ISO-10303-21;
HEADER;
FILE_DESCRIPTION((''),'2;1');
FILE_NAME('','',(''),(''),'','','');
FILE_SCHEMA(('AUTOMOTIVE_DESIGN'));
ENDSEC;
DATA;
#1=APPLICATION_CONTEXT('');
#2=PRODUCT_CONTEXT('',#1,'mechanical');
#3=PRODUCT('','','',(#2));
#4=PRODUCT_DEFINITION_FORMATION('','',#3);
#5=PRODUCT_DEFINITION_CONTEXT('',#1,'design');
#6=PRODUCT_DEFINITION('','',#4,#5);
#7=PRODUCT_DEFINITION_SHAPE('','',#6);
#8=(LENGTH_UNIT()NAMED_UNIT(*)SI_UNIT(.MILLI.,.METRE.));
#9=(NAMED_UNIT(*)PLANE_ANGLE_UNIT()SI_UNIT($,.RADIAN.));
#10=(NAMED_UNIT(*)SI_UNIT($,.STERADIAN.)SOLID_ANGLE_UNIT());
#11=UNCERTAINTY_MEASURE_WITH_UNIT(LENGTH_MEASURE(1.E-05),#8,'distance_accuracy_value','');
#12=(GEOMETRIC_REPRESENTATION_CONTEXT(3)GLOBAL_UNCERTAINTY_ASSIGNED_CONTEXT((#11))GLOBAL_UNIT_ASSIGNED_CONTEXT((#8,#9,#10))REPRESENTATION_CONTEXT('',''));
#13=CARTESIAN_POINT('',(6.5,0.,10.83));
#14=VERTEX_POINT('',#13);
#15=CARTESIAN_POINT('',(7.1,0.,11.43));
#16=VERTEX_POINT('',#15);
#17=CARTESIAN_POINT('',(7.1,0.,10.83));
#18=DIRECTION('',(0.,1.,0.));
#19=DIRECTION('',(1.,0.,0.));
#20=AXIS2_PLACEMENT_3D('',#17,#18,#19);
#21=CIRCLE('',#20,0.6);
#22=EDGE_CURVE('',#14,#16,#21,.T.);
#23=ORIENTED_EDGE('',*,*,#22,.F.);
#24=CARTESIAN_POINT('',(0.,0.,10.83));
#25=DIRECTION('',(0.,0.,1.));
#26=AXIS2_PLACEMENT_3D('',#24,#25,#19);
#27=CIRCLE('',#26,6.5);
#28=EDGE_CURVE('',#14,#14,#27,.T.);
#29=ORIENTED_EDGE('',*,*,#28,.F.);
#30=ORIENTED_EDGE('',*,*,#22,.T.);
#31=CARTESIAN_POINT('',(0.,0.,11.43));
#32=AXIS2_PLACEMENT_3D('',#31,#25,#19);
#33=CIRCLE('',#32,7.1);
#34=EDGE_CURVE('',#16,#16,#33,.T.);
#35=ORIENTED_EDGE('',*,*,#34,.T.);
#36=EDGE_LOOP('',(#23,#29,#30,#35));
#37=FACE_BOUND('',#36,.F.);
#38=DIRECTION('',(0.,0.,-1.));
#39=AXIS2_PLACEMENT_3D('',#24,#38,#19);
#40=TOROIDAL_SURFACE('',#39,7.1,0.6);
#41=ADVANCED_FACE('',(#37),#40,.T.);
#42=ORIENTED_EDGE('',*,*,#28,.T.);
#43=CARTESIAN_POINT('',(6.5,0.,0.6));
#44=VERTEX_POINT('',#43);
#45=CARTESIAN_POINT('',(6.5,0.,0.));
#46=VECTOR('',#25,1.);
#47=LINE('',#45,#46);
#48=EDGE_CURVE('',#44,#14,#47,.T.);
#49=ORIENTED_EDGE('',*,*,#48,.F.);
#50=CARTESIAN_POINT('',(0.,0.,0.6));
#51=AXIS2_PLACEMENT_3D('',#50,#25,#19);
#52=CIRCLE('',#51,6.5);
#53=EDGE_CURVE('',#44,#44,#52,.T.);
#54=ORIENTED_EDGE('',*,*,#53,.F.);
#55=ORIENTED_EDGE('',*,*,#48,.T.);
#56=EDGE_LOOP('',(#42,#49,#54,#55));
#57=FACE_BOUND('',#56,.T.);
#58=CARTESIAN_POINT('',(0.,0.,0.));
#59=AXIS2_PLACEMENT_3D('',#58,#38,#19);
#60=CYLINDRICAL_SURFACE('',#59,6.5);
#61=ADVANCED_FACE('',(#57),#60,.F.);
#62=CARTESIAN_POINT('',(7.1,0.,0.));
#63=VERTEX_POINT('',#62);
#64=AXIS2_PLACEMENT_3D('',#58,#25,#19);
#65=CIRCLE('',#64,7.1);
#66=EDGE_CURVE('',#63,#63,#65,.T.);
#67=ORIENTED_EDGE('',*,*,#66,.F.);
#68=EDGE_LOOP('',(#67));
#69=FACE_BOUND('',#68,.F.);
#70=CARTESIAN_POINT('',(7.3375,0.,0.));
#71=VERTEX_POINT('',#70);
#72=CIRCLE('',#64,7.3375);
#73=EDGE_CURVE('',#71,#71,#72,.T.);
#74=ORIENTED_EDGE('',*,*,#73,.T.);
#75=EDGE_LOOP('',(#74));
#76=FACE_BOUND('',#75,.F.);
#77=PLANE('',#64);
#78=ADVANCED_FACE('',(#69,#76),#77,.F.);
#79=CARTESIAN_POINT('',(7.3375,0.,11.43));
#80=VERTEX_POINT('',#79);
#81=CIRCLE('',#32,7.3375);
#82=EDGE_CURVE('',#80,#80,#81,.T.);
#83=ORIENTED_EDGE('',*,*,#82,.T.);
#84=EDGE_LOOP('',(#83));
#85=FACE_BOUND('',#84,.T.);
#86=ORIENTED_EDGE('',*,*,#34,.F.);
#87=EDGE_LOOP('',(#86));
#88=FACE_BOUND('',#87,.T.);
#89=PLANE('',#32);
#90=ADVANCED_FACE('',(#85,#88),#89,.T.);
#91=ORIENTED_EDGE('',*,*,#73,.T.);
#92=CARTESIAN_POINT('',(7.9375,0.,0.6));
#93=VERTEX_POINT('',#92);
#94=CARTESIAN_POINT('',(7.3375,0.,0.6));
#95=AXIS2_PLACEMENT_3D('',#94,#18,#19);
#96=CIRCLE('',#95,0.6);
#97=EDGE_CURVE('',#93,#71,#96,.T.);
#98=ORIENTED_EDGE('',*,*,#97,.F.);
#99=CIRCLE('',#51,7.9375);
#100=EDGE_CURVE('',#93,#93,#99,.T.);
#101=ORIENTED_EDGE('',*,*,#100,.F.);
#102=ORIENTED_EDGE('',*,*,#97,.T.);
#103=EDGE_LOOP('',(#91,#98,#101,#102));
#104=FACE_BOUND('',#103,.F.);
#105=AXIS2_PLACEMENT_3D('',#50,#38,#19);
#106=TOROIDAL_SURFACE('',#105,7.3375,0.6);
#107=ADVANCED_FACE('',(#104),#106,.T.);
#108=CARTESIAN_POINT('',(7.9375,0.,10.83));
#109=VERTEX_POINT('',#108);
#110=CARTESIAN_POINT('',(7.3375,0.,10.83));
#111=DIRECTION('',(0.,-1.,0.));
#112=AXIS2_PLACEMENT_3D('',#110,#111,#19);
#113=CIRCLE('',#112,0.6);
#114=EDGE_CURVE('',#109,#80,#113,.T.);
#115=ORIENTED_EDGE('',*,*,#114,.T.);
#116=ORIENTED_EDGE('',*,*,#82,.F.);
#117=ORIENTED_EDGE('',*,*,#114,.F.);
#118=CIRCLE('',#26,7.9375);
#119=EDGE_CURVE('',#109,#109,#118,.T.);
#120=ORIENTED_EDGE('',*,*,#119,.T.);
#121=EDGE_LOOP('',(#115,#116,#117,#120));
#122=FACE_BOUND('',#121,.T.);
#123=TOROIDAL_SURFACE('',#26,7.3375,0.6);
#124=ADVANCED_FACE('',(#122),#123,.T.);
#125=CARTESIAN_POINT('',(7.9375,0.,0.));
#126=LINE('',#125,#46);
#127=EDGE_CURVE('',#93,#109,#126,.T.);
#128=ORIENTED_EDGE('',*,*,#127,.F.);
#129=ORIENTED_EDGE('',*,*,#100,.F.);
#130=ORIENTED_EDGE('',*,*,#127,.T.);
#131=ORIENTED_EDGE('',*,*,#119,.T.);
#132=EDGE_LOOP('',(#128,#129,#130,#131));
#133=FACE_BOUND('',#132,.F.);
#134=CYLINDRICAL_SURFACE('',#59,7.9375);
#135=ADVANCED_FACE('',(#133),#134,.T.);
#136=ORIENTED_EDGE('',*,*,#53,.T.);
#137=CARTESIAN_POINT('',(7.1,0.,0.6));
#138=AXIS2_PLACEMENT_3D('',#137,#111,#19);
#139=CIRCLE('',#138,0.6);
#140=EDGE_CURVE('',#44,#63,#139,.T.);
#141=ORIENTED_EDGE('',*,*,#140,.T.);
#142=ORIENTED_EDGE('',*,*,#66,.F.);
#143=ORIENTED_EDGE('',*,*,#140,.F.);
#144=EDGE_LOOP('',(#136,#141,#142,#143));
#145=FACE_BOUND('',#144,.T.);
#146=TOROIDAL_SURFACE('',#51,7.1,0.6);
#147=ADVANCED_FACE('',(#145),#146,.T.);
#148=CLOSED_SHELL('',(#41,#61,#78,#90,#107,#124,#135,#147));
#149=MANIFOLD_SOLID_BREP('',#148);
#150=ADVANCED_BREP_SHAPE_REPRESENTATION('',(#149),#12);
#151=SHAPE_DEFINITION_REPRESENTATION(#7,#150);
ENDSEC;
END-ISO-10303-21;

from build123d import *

# Parameters (mm, degrees)
F0_R     = 7.9375
F0_R_2   = 6.5
F1_DEPTH = 11.43
F2_R     = 0.6
F3_R     = 0.6


with BuildPart() as f1:
    # F0 (on Top) → F1 (new body)
    with BuildSketch(Plane.XY):
        Circle(F0_R)
        Circle(F0_R_2, mode=Mode.SUBTRACT)
    extrude(amount=F1_DEPTH)

    # F2
    f2_edges = [f1.edges().sort_by_distance(p)[0] for p in [
        (-6.5, 0, 0),
        (-7.9375, 0, 11.43),
        (-6.5, 0, 11.43),
    ]]
    fillet(f2_edges, radius=F2_R)

    # F3
    f3_edges = [f1.edges().sort_by_distance(p)[0] for p in [
        (-7.9375, 0, 0),
    ]]
    fillet(f3_edges, radius=F3_R)


solid = f1.part
